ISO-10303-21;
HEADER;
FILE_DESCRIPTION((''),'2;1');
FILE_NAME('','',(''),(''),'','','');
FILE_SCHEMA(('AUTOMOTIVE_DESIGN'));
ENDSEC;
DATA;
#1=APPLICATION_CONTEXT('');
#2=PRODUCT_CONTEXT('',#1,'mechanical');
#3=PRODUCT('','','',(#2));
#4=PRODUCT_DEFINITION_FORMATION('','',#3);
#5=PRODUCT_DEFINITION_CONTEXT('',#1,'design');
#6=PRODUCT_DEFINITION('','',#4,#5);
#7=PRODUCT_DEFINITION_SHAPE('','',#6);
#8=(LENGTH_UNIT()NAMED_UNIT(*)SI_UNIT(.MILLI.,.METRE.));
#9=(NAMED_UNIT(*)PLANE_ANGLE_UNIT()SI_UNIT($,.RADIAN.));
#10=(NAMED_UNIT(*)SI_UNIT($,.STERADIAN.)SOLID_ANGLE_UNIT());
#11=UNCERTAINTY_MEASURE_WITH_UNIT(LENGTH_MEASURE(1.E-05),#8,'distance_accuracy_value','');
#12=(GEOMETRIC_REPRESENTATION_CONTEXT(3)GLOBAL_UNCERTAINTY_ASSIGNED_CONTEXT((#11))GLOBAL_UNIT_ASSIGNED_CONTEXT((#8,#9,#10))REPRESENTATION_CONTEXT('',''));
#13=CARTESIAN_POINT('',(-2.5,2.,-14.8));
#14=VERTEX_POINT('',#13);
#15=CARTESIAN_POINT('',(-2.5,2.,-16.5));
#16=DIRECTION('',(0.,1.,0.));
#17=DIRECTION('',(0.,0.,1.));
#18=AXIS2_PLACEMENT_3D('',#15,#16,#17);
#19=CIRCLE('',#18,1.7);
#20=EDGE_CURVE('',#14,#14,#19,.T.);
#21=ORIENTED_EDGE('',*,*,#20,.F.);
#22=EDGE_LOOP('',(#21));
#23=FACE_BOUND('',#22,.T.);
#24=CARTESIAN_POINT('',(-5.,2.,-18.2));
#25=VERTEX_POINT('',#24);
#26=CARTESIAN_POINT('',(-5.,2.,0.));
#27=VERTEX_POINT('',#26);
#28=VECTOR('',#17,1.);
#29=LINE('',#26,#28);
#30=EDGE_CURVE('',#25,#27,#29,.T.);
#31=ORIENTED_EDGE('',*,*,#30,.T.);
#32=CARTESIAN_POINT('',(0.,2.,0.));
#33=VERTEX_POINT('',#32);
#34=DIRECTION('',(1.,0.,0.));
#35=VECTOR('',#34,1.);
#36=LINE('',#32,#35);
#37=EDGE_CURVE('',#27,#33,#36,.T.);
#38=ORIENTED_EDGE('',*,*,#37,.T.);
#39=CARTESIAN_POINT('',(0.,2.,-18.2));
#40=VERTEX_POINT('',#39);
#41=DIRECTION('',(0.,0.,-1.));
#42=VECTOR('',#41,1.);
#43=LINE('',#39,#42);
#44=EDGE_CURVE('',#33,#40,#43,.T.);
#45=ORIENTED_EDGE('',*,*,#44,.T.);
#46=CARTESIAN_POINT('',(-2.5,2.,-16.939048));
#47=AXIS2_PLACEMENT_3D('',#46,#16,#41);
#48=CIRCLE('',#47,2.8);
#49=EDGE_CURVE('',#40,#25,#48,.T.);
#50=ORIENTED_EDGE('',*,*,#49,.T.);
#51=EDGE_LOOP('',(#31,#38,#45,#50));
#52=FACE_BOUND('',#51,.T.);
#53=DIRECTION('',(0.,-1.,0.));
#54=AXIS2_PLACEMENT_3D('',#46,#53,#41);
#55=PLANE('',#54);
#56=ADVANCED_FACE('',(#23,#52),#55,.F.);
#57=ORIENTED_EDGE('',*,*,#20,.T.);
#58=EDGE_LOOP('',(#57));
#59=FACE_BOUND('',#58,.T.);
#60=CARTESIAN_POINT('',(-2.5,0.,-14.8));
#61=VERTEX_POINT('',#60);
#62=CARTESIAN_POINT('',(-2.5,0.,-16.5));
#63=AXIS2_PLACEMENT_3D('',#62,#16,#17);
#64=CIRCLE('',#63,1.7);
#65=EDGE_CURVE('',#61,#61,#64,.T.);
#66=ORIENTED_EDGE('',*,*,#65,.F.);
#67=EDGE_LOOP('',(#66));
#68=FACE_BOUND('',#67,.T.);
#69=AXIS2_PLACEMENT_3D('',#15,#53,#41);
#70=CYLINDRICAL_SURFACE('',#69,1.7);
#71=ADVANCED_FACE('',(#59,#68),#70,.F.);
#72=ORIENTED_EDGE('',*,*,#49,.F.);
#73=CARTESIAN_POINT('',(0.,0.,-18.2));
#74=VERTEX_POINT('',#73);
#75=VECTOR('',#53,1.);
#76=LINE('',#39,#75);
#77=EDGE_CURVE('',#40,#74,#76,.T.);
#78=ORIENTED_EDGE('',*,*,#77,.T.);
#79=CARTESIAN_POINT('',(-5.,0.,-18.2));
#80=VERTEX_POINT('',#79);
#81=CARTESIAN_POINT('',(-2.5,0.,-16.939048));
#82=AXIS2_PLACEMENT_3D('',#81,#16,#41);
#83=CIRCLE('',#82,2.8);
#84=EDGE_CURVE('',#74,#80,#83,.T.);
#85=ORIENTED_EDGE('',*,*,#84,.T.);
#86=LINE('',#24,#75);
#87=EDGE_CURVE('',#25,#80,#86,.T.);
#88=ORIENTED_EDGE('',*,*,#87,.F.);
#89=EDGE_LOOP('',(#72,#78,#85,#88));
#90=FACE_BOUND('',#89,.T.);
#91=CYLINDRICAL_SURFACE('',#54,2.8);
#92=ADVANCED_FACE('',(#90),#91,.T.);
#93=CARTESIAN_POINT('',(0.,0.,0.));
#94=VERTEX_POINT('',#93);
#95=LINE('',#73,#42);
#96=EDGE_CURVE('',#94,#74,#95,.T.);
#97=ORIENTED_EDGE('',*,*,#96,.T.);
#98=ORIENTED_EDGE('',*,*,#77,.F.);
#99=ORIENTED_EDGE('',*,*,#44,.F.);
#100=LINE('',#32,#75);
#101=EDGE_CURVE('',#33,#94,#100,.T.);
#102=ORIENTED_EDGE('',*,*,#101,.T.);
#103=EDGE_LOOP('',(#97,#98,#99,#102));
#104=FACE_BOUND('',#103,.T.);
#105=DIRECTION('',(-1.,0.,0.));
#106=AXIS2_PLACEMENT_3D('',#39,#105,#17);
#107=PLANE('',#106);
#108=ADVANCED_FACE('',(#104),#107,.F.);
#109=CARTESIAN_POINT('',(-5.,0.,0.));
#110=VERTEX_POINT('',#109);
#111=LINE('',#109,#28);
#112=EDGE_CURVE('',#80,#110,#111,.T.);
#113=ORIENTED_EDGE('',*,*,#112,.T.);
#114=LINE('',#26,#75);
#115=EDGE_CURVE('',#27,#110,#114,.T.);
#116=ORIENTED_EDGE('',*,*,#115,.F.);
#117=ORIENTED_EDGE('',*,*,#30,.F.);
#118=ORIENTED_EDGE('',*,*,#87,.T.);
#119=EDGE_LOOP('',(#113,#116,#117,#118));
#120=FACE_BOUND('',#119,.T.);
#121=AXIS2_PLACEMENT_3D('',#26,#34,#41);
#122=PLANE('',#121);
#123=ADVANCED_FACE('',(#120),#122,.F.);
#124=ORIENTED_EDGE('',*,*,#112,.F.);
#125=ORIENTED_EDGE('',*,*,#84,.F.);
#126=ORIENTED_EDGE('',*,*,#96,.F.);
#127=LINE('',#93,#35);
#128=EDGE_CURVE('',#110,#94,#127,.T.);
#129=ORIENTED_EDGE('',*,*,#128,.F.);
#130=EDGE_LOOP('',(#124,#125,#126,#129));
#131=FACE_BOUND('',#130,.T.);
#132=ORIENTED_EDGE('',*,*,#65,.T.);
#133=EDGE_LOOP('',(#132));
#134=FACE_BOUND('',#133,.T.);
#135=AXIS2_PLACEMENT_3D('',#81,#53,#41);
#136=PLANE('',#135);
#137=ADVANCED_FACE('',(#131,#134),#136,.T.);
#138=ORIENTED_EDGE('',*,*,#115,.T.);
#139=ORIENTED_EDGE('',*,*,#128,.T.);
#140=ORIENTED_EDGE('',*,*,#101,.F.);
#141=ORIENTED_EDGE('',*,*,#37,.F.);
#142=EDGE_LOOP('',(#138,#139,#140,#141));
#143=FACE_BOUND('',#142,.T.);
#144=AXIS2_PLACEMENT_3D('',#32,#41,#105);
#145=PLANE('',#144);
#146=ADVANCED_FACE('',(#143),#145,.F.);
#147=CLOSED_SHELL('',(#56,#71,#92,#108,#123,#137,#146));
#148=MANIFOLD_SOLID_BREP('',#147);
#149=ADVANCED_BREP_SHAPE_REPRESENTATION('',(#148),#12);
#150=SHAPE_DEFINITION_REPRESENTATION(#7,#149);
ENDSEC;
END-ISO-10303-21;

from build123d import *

# Parameters (mm, degrees)
SKETCH1_R           = 1.7
BOSS_EXTRUDE1_DEPTH = 2


with BuildPart() as part:
    # Sketch1 → Boss-Extrude1 (new body)
    with BuildSketch(Plane(origin=(0, 0, 0), x_dir=(1, 0, 0), z_dir=(0, 1, 0))):
        with BuildLine():
            Line((0, 0), (-5, 0))
            Line((-5, 0), (-5, 18.2))
            ThreePointArc((-5, 18.2), (-2.5, 19.739047979), (0, 18.2))
            Line((0, 18.2), (0, 0))
        make_face()
        with Locations(Location((-2.5, 16.5, 0), (0, 0, 270))):
            Circle(SKETCH1_R, mode=Mode.SUBTRACT)
    extrude(amount=BOSS_EXTRUDE1_DEPTH)


solid = part.part
